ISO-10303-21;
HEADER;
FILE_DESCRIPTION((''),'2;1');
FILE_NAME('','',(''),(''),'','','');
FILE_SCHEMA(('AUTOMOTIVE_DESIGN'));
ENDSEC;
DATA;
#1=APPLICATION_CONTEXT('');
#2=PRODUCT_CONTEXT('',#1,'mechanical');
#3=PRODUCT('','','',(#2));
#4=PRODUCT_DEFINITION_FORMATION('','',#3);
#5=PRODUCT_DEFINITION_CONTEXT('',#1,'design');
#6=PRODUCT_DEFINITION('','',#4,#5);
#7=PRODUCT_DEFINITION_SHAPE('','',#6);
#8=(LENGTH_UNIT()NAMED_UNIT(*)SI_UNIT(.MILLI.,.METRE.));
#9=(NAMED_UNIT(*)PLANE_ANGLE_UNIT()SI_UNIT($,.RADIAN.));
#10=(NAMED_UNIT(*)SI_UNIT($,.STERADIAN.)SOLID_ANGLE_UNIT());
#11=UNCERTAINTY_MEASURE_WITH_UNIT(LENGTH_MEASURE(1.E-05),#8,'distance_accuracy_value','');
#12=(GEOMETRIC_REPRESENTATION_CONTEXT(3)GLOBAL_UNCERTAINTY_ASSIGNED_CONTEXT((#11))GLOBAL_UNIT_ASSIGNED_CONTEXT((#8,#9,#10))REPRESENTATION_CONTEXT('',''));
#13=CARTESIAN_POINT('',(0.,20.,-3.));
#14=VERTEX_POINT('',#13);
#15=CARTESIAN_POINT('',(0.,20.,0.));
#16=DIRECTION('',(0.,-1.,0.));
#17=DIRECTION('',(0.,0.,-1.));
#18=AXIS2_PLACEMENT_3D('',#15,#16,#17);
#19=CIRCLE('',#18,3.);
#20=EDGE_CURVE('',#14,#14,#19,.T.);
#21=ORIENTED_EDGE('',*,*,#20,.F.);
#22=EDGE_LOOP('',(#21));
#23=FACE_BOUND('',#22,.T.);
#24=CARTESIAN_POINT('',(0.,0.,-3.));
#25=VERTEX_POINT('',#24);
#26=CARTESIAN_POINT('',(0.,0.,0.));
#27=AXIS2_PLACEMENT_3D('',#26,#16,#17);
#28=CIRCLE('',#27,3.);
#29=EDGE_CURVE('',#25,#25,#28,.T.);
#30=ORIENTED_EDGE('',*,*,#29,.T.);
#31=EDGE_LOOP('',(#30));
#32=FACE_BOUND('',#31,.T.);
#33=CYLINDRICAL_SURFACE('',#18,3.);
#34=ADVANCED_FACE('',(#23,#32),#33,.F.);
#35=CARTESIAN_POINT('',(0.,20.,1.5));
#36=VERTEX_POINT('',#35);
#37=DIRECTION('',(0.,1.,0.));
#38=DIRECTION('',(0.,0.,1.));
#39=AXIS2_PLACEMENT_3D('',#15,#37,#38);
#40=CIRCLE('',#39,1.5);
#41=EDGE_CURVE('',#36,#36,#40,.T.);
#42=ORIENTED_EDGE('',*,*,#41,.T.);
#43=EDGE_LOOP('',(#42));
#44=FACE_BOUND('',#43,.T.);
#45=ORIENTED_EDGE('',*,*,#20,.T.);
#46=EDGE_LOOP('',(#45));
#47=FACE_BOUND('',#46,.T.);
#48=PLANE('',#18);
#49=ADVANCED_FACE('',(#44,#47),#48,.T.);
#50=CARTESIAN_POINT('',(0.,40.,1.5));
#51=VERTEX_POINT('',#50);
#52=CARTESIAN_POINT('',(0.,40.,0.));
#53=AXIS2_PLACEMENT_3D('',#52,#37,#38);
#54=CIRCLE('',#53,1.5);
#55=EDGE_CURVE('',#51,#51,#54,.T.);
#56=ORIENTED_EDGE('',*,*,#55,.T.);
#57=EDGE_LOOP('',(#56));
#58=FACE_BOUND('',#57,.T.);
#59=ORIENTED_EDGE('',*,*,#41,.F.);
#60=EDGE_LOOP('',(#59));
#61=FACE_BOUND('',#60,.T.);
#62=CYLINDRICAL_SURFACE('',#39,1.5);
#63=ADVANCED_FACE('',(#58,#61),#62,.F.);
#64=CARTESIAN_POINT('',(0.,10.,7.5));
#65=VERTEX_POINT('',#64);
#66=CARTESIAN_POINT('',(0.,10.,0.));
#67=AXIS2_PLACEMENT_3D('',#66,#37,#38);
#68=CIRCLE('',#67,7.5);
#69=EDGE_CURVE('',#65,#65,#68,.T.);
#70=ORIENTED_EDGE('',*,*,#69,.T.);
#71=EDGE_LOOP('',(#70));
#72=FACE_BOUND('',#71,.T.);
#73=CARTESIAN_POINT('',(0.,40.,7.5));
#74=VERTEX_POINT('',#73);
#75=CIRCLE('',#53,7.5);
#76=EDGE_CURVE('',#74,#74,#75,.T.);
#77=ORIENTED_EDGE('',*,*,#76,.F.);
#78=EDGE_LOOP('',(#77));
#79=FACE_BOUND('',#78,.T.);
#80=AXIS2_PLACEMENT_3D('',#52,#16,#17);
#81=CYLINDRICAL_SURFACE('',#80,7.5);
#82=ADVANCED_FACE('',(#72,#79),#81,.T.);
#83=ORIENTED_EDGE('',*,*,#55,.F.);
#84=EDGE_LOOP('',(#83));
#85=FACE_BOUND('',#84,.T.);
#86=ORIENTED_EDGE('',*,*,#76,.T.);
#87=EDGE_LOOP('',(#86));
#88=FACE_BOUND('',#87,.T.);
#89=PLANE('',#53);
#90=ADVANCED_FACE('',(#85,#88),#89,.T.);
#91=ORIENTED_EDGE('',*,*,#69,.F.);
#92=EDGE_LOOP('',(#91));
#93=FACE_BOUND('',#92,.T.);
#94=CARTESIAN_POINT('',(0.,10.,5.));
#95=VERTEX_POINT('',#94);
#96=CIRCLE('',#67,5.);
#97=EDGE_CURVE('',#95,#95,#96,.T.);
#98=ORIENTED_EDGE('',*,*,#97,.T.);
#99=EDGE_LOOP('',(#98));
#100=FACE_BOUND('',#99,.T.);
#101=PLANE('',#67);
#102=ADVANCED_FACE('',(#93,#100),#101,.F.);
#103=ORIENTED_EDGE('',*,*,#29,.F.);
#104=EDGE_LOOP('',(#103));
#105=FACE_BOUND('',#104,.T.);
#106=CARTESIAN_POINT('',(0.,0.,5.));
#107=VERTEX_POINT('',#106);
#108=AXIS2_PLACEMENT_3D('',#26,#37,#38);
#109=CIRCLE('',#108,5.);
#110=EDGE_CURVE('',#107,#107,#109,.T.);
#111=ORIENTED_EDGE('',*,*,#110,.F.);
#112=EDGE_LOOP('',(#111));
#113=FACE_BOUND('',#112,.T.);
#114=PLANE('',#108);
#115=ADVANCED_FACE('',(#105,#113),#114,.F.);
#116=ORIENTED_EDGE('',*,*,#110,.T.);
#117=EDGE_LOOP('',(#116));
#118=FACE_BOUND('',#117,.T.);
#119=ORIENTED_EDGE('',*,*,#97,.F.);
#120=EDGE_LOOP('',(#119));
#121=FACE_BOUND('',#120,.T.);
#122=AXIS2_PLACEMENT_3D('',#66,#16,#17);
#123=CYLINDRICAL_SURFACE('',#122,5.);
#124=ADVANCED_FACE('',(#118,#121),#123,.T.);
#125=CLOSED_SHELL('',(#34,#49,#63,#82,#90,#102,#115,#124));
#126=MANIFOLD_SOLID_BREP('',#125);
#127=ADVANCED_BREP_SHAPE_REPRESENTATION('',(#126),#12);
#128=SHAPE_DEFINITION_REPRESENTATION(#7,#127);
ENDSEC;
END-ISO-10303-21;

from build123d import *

# Parameters (mm, degrees)
SKETCH1_R           = 5
BOSS_EXTRUDE1_DEPTH = 10
SKETCH2_R           = 7.5
BOSS_EXTRUDE2_DEPTH = 30
SKETCH4_R           = 3
CUT_EXTRUDE1_DEPTH  = 20
SKETCH5_R           = 1.5
CUT_EXTRUDE2_DEPTH  = 20


with BuildPart() as part:
    # Sketch1 → Boss-Extrude1 (new body)
    with BuildSketch(Plane(origin=(0, 0, 0), x_dir=(1, 0, 0), z_dir=(0, 1, 0))):
        with Locations(Location((0, 0, 0), (0, 0, 270))):
            Circle(SKETCH1_R)
    extrude(amount=BOSS_EXTRUDE1_DEPTH)

    # Sketch2 → Boss-Extrude2 (add)
    with BuildSketch(Plane(origin=(0, 10, 0), x_dir=(1, 0, 0), z_dir=(0, 1, 0))):
        with Locations(Location((0, 0, 0), (0, 0, 270))):
            Circle(SKETCH2_R)
    extrude(amount=BOSS_EXTRUDE2_DEPTH)

    # Sketch4 → Cut-Extrude1 (cut)
    with BuildSketch(Plane.XZ):
        with Locations(Location((0, 0, 0), (0, 0, 270))):
            Circle(SKETCH4_R)
    extrude(amount=-CUT_EXTRUDE1_DEPTH, mode=Mode.SUBTRACT)

    # Sketch5 → Cut-Extrude2 (cut)
    with BuildSketch(Plane(origin=(0, 40, 0), x_dir=(1, 0, 0), z_dir=(0, 1, 0))):
        with Locations(Location((0, 0, 0), (0, 0, 270))):
            Circle(SKETCH5_R)
    extrude(amount=-CUT_EXTRUDE2_DEPTH, mode=Mode.SUBTRACT)


solid = part.part
